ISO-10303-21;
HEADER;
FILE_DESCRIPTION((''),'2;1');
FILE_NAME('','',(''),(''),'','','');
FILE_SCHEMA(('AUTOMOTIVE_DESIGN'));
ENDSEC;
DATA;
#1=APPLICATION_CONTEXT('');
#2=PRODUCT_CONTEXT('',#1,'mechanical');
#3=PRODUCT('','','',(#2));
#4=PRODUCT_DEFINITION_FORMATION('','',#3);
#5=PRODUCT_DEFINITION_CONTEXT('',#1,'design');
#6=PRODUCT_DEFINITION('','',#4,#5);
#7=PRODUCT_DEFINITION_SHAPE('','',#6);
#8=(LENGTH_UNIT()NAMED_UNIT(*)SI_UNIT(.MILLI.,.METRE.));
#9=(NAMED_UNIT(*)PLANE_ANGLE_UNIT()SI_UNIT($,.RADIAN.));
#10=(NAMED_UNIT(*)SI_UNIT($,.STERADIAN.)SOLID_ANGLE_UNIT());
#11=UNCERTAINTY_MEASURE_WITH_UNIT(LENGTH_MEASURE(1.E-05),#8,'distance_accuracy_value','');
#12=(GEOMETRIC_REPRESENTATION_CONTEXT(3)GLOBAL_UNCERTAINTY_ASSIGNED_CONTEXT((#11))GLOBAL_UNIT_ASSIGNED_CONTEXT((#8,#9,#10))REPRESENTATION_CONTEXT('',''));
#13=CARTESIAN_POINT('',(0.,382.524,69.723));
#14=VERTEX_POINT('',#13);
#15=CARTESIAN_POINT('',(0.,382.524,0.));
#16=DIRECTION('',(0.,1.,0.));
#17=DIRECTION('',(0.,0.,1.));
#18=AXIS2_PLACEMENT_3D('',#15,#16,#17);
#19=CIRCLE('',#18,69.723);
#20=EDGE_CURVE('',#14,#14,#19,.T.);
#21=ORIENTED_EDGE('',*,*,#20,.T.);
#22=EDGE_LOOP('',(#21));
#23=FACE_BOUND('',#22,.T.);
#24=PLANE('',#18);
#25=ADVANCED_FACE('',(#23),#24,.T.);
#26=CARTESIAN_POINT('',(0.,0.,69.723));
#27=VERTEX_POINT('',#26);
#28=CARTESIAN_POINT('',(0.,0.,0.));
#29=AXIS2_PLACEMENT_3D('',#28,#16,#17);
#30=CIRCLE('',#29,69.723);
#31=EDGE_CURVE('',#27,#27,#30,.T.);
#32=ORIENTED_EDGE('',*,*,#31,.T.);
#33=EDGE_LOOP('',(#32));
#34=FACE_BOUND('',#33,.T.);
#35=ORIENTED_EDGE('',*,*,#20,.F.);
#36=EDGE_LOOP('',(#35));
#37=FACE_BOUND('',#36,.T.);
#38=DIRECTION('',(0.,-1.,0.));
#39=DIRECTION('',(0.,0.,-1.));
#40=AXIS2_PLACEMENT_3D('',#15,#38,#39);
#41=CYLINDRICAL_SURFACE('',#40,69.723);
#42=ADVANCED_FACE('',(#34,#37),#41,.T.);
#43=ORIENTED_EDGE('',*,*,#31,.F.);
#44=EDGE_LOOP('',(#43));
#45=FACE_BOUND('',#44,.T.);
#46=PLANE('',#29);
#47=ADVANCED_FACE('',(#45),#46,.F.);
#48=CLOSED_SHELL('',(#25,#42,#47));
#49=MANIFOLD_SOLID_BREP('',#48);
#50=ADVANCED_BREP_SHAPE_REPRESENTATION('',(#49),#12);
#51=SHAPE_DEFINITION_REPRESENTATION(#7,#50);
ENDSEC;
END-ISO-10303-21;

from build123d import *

# Parameters (mm, degrees)
SKETCH1_R           = 69.723
BOSS_EXTRUDE1_DEPTH = 382.524


with BuildPart() as part:
    # Sketch1 → Boss-Extrude1 (new body)
    with BuildSketch(Plane(origin=(0, 0, 0), x_dir=(1, 0, 0), z_dir=(0, 1, 0))):
        Circle(SKETCH1_R)
    extrude(amount=BOSS_EXTRUDE1_DEPTH)


solid = part.part
